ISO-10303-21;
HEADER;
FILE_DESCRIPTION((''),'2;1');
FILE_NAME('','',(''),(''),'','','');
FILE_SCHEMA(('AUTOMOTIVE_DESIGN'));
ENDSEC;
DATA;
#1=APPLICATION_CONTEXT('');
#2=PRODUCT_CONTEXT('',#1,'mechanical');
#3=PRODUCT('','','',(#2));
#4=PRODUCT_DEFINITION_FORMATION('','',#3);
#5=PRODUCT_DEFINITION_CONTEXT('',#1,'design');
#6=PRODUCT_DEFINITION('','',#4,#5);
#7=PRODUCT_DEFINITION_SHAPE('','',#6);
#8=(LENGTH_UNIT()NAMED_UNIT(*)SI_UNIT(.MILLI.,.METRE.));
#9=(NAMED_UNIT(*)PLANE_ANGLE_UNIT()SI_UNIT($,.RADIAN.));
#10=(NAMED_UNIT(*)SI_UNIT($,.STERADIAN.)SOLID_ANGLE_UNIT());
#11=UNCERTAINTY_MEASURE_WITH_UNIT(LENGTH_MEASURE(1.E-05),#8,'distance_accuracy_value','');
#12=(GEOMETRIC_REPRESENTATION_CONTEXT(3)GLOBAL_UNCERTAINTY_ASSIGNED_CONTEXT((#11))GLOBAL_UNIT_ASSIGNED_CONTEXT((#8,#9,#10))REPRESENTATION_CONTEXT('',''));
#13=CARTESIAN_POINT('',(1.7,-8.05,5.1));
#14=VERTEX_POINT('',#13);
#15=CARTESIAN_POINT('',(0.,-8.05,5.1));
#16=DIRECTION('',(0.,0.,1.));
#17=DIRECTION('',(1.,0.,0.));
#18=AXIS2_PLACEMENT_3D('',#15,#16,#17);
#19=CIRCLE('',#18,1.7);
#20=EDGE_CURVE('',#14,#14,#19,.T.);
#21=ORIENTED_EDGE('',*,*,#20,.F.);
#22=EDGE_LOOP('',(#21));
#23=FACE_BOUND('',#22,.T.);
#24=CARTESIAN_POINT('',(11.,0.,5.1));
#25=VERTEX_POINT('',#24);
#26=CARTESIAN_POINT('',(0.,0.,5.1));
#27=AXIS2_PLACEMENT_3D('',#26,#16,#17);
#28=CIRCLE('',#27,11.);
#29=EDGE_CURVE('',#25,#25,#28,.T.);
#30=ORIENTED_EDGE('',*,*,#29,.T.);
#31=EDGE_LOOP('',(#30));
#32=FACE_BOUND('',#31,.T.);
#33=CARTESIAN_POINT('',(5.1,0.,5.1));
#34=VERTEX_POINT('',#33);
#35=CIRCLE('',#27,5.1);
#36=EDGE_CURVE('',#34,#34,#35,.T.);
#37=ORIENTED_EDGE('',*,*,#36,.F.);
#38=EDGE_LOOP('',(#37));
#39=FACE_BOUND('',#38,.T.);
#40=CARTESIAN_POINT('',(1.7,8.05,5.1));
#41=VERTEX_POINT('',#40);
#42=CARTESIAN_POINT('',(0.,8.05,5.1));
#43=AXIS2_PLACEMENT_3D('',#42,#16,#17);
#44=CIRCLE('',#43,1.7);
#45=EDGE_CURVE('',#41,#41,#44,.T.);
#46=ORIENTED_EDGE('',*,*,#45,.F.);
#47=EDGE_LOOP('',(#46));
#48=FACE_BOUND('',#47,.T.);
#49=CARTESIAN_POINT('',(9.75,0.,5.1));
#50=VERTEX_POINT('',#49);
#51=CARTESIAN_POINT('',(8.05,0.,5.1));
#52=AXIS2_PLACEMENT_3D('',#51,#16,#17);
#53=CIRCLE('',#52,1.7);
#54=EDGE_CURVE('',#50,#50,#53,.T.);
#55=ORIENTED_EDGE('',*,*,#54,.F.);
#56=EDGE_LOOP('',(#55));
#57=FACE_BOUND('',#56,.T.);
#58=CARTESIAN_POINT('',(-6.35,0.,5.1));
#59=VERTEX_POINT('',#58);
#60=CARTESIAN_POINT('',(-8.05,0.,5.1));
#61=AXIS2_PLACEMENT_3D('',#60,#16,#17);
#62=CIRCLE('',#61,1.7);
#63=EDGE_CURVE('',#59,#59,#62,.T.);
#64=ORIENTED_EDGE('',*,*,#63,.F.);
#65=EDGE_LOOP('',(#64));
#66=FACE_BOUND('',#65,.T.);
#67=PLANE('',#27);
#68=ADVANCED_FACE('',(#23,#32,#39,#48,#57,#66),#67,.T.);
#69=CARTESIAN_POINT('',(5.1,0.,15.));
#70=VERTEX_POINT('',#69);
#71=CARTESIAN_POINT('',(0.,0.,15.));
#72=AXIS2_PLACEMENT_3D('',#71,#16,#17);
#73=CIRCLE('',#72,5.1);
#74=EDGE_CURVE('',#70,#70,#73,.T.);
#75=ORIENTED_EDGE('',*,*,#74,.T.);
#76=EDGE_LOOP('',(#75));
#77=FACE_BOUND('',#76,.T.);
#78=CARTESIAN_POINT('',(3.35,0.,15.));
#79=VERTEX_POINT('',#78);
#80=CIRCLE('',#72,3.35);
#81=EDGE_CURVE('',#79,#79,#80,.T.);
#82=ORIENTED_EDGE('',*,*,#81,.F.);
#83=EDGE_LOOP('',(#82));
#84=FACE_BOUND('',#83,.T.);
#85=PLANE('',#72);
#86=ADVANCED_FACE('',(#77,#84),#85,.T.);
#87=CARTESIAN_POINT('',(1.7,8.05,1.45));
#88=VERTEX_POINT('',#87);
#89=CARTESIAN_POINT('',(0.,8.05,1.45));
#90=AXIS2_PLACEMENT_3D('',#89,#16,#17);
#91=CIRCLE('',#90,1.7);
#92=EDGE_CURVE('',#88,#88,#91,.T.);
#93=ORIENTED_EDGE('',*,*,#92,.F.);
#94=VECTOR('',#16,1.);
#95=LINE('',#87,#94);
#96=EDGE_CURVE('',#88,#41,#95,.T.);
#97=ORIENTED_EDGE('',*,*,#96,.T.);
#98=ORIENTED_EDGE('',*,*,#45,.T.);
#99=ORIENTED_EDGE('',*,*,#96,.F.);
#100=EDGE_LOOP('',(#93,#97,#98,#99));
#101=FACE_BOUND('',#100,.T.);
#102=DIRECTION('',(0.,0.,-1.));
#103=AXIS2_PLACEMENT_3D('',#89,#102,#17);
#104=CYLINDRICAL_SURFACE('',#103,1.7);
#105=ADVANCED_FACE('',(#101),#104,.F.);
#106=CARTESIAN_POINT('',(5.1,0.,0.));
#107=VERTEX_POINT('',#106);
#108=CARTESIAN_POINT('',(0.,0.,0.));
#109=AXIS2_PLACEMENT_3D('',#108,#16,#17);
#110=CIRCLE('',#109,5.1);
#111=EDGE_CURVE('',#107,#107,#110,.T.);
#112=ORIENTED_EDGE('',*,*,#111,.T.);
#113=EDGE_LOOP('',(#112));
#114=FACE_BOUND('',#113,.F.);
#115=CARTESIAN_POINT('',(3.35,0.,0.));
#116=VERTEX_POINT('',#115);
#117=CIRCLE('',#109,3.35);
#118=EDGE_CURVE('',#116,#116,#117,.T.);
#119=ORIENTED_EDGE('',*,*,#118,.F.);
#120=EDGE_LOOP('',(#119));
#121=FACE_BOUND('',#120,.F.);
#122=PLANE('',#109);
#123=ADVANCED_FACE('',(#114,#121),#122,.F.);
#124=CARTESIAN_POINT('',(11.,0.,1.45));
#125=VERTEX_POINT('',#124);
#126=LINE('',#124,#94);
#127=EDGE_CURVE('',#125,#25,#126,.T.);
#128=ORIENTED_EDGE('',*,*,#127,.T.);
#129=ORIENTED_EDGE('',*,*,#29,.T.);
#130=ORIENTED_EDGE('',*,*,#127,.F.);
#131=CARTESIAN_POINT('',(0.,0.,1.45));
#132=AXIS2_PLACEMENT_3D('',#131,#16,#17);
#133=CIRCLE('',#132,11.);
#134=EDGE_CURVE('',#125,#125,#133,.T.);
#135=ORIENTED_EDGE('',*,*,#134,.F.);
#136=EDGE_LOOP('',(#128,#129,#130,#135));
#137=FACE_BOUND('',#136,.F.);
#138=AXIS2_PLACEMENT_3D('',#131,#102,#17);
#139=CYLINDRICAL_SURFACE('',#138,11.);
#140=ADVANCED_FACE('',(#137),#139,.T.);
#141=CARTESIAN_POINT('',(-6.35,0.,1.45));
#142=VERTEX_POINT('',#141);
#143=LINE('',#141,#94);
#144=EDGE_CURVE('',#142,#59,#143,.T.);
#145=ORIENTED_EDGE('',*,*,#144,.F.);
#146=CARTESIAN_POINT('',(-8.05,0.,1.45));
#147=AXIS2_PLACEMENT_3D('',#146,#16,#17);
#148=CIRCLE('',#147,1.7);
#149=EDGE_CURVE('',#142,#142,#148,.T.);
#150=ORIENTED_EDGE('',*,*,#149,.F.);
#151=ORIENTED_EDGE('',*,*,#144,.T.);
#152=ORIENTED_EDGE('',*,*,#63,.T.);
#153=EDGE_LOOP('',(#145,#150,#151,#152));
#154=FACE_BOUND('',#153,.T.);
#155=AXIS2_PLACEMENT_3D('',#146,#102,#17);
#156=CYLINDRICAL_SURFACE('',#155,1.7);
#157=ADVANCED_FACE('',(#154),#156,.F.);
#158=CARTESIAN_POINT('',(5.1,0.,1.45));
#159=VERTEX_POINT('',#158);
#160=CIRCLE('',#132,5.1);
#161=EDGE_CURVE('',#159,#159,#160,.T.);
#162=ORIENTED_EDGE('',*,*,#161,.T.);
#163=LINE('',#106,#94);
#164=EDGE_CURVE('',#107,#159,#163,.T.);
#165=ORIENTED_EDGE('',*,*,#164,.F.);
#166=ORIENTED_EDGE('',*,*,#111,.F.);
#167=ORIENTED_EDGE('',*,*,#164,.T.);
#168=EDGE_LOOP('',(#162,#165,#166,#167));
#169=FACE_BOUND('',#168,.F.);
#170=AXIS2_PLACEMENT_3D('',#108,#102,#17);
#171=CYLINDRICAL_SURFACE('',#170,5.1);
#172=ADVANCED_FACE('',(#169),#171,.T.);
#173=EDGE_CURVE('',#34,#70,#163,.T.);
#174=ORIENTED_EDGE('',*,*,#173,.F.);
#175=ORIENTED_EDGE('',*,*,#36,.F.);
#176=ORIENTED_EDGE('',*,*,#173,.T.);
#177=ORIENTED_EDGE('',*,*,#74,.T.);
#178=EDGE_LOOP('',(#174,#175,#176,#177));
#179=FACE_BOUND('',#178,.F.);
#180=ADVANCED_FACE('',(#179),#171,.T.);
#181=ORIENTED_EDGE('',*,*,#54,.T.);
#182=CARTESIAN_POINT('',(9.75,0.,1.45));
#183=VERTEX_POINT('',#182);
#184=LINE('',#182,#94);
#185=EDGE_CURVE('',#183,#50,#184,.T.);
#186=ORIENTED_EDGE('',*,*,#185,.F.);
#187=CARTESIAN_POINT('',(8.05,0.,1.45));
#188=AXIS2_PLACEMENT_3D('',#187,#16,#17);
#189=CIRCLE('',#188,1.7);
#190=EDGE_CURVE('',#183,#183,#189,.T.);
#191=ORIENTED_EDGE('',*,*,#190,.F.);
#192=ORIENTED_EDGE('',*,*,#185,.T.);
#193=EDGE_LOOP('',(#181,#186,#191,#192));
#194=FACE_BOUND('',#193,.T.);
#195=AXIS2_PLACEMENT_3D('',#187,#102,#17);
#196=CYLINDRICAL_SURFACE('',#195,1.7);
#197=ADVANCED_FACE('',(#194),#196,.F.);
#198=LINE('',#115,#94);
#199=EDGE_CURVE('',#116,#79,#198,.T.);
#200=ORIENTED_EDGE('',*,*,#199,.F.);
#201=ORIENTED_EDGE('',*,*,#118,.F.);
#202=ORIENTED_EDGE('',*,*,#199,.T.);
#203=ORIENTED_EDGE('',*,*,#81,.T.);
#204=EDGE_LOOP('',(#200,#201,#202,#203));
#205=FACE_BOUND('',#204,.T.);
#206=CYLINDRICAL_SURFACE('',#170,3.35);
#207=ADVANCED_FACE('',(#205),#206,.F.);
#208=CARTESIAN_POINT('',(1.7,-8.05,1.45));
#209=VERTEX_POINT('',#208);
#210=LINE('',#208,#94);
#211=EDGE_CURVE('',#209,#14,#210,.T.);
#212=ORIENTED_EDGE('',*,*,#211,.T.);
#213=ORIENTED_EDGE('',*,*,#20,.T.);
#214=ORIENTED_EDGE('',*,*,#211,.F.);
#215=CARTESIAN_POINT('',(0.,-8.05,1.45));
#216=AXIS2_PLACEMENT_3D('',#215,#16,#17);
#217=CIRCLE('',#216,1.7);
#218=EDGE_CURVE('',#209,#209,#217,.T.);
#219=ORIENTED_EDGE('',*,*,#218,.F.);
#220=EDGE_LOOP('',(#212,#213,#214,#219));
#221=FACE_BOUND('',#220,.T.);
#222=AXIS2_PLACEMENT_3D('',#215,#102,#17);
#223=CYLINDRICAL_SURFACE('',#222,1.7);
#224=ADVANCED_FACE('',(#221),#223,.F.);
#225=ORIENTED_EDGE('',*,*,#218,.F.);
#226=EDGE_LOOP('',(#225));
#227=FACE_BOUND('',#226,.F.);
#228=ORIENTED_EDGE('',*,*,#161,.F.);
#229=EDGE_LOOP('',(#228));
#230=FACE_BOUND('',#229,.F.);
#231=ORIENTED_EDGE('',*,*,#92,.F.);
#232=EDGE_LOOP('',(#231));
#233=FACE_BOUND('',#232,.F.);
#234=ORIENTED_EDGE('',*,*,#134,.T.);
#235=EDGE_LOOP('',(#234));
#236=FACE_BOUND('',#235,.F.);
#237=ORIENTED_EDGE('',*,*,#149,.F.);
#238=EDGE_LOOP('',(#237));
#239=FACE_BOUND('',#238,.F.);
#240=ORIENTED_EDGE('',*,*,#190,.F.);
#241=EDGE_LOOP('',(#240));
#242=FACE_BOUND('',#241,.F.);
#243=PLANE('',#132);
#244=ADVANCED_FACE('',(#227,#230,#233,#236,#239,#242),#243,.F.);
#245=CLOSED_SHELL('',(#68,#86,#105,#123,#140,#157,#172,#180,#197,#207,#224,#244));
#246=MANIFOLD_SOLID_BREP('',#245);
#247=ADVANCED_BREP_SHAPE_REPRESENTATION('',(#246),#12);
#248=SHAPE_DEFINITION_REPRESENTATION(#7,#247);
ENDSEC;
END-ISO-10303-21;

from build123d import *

# Parameters (mm, degrees)
F0_R     = 5.1
F0_R_2   = 3.35
F1_DEPTH = 15
F2_START = 1.45
F0_R_3   = 11
F0_R_4   = 1.7
F2_DEPTH = 3.65


with BuildPart() as f1:
    # F0 (on Top) → F1 (new body)
    with BuildSketch(Plane.XY):
        Circle(F0_R)
        Circle(F0_R_2, mode=Mode.SUBTRACT)
    extrude(amount=F1_DEPTH)

    # F0 (on Top) → F2 (join)
    with BuildSketch(Plane.XY.offset(F2_START)):
        Circle(F0_R_3)
        with Locations((0, -8.05)):
            Circle(F0_R_4, mode=Mode.SUBTRACT)
        with Locations((-8.05, 0)):
            Circle(F0_R_4, mode=Mode.SUBTRACT)
        Circle(F0_R, mode=Mode.SUBTRACT)
        with Locations((8.05, 0)):
            Circle(F0_R_4, mode=Mode.SUBTRACT)
        with Locations((0, 8.05)):
            Circle(F0_R_4, mode=Mode.SUBTRACT)
    extrude(amount=F2_DEPTH)


solid = f1.part
